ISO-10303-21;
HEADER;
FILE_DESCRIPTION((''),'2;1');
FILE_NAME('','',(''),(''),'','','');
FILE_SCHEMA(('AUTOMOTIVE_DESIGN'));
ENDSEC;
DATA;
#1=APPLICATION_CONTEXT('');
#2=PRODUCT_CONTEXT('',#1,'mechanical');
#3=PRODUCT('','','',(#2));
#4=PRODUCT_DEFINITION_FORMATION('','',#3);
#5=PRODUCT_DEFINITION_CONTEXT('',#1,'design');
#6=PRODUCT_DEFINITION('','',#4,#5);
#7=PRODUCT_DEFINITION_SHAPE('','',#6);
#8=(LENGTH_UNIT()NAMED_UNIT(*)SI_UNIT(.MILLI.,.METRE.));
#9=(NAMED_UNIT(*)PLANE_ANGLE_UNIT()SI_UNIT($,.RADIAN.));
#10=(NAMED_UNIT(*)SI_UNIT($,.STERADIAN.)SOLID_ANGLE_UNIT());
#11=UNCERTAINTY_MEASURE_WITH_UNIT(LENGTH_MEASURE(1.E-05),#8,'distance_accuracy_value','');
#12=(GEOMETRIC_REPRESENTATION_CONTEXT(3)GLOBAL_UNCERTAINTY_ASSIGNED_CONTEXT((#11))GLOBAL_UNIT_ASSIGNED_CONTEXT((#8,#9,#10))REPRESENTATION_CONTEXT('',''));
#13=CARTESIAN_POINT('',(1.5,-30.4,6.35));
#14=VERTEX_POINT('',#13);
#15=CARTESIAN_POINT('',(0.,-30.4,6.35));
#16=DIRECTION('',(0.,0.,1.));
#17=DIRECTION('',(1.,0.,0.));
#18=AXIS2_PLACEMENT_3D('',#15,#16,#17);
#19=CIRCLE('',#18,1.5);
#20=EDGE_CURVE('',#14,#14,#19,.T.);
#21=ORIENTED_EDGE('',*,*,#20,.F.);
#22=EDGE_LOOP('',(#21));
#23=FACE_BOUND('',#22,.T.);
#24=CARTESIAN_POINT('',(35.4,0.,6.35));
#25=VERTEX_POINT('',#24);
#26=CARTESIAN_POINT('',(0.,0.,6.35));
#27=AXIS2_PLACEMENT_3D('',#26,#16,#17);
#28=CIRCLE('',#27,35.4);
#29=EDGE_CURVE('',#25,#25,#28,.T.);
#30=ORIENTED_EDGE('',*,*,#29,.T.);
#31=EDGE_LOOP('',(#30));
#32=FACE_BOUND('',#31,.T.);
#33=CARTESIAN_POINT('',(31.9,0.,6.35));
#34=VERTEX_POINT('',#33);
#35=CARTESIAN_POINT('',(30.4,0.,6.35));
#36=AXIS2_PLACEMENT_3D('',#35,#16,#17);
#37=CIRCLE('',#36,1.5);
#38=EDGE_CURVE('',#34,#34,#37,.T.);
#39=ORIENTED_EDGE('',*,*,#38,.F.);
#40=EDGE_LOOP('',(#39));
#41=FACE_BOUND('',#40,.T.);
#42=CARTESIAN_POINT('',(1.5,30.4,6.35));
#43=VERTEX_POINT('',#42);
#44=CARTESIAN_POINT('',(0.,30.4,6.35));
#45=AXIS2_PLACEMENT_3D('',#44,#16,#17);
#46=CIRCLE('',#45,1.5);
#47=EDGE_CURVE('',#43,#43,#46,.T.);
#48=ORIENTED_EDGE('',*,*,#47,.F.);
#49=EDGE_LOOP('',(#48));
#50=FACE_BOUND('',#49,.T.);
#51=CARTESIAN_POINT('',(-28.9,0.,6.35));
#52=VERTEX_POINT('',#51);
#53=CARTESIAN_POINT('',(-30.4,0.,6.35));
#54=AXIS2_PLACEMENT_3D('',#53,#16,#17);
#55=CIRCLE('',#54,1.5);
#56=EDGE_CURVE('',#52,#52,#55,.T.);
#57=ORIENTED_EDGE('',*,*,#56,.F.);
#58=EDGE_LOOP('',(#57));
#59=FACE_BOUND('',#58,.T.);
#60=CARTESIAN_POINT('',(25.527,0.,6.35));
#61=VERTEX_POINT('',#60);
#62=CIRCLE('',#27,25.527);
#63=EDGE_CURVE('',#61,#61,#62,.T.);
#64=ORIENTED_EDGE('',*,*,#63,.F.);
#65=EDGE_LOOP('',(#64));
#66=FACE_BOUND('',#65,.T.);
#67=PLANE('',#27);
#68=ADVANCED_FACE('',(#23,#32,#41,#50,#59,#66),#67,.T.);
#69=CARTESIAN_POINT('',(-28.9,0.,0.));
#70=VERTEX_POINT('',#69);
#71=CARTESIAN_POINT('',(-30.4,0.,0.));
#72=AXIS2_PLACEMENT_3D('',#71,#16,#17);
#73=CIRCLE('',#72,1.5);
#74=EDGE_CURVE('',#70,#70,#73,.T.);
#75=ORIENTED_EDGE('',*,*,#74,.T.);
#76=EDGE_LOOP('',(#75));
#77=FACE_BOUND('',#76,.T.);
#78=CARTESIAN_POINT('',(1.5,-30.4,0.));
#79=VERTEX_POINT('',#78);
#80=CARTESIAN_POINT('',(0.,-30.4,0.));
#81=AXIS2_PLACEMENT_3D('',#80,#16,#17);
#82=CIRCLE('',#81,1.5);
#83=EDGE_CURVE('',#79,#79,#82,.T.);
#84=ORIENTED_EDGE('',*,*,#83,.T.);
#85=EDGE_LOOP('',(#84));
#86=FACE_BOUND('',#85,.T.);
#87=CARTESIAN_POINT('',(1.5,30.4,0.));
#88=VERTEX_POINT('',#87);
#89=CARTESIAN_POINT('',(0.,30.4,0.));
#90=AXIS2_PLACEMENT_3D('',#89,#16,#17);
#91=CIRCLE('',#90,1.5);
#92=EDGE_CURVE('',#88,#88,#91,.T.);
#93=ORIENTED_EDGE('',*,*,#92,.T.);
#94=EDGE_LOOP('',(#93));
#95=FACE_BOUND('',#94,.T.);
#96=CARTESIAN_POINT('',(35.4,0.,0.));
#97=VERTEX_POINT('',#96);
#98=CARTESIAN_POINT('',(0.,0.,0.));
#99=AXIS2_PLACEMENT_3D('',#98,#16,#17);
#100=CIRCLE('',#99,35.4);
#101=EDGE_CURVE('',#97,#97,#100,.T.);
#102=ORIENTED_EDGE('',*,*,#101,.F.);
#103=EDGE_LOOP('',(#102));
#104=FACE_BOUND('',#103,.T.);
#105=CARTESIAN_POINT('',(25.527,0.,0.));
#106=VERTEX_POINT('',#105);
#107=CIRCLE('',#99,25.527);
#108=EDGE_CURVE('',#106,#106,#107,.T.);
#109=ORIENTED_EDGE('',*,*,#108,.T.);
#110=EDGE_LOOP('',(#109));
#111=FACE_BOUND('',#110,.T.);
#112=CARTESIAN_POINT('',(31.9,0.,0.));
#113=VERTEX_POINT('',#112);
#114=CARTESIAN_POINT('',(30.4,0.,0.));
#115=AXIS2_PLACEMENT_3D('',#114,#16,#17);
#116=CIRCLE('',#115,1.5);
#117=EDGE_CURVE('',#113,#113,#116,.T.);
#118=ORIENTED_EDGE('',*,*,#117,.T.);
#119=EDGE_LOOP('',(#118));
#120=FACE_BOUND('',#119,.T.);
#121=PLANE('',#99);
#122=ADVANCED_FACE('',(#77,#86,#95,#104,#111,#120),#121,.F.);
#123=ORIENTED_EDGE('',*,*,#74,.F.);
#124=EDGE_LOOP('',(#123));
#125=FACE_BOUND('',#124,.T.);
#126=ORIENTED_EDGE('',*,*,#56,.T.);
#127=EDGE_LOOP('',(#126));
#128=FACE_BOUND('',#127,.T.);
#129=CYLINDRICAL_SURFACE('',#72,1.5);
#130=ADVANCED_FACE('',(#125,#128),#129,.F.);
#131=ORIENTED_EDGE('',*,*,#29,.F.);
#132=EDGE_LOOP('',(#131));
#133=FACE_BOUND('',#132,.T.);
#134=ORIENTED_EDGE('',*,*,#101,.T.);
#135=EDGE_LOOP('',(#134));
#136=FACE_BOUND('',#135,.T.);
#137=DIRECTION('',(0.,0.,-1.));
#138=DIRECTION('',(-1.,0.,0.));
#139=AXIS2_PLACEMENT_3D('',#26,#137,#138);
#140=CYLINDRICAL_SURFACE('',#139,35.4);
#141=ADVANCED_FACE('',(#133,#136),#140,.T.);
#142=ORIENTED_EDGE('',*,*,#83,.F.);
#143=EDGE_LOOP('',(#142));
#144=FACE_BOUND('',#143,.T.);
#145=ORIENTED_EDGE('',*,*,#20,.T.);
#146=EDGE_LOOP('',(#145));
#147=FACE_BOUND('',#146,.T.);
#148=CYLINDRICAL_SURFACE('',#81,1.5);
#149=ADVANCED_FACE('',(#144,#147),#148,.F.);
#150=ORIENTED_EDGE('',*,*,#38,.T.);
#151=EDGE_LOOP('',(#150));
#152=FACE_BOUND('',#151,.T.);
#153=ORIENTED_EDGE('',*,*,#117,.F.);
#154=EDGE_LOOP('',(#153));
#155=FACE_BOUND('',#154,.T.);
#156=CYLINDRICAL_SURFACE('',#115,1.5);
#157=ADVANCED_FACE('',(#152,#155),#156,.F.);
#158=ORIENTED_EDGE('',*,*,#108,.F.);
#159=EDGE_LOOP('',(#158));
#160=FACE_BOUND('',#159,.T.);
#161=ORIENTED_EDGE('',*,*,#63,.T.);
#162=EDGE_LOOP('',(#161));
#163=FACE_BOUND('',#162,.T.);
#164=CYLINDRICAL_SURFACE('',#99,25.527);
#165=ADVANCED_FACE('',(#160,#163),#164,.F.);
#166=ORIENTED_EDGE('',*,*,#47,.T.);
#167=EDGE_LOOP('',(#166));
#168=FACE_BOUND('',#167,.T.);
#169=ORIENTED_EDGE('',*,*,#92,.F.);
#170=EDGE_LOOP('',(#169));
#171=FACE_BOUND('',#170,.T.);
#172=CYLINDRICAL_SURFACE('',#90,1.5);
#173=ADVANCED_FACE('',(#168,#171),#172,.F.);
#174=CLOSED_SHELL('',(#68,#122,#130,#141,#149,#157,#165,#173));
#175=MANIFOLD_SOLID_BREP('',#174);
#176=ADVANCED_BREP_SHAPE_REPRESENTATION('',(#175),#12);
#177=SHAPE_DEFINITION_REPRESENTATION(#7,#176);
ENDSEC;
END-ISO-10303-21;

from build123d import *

# Parameters (mm, degrees)
SKETCH1_R           = 35.399999939
BOSS_EXTRUDE1_DEPTH = 6.35
SKETCH2_R           = 25.527
CUT_EXTRUDE1_DEPTH  = 6.35
SKETCH5_R           = 1.5
CUT_EXTRUDE2_DEPTH  = 6.35


with BuildPart() as part:
    # Sketch1 → Boss-Extrude1 (new body)
    with BuildSketch(Plane.XY):
        Circle(SKETCH1_R)
    extrude(amount=BOSS_EXTRUDE1_DEPTH)

    # Sketch2 → Cut-Extrude1 (cut)
    with BuildSketch(Plane.XY.offset(6.35)):
        Circle(SKETCH2_R)
    extrude(amount=-CUT_EXTRUDE1_DEPTH, mode=Mode.SUBTRACT)

    # Sketch5 → Cut-Extrude2 (cut)
    with BuildSketch(Plane.XY.offset(6.35)):
        with Locations((0, 30.400000033)):
            Circle(SKETCH5_R)
        with Locations((30.400000033, 0)):
            Circle(SKETCH5_R)
        with Locations((0, -30.400000033)):
            Circle(SKETCH5_R)
        with Locations((-30.400000033, 0)):
            Circle(SKETCH5_R)
    extrude(amount=-CUT_EXTRUDE2_DEPTH, mode=Mode.SUBTRACT)


solid = part.part
